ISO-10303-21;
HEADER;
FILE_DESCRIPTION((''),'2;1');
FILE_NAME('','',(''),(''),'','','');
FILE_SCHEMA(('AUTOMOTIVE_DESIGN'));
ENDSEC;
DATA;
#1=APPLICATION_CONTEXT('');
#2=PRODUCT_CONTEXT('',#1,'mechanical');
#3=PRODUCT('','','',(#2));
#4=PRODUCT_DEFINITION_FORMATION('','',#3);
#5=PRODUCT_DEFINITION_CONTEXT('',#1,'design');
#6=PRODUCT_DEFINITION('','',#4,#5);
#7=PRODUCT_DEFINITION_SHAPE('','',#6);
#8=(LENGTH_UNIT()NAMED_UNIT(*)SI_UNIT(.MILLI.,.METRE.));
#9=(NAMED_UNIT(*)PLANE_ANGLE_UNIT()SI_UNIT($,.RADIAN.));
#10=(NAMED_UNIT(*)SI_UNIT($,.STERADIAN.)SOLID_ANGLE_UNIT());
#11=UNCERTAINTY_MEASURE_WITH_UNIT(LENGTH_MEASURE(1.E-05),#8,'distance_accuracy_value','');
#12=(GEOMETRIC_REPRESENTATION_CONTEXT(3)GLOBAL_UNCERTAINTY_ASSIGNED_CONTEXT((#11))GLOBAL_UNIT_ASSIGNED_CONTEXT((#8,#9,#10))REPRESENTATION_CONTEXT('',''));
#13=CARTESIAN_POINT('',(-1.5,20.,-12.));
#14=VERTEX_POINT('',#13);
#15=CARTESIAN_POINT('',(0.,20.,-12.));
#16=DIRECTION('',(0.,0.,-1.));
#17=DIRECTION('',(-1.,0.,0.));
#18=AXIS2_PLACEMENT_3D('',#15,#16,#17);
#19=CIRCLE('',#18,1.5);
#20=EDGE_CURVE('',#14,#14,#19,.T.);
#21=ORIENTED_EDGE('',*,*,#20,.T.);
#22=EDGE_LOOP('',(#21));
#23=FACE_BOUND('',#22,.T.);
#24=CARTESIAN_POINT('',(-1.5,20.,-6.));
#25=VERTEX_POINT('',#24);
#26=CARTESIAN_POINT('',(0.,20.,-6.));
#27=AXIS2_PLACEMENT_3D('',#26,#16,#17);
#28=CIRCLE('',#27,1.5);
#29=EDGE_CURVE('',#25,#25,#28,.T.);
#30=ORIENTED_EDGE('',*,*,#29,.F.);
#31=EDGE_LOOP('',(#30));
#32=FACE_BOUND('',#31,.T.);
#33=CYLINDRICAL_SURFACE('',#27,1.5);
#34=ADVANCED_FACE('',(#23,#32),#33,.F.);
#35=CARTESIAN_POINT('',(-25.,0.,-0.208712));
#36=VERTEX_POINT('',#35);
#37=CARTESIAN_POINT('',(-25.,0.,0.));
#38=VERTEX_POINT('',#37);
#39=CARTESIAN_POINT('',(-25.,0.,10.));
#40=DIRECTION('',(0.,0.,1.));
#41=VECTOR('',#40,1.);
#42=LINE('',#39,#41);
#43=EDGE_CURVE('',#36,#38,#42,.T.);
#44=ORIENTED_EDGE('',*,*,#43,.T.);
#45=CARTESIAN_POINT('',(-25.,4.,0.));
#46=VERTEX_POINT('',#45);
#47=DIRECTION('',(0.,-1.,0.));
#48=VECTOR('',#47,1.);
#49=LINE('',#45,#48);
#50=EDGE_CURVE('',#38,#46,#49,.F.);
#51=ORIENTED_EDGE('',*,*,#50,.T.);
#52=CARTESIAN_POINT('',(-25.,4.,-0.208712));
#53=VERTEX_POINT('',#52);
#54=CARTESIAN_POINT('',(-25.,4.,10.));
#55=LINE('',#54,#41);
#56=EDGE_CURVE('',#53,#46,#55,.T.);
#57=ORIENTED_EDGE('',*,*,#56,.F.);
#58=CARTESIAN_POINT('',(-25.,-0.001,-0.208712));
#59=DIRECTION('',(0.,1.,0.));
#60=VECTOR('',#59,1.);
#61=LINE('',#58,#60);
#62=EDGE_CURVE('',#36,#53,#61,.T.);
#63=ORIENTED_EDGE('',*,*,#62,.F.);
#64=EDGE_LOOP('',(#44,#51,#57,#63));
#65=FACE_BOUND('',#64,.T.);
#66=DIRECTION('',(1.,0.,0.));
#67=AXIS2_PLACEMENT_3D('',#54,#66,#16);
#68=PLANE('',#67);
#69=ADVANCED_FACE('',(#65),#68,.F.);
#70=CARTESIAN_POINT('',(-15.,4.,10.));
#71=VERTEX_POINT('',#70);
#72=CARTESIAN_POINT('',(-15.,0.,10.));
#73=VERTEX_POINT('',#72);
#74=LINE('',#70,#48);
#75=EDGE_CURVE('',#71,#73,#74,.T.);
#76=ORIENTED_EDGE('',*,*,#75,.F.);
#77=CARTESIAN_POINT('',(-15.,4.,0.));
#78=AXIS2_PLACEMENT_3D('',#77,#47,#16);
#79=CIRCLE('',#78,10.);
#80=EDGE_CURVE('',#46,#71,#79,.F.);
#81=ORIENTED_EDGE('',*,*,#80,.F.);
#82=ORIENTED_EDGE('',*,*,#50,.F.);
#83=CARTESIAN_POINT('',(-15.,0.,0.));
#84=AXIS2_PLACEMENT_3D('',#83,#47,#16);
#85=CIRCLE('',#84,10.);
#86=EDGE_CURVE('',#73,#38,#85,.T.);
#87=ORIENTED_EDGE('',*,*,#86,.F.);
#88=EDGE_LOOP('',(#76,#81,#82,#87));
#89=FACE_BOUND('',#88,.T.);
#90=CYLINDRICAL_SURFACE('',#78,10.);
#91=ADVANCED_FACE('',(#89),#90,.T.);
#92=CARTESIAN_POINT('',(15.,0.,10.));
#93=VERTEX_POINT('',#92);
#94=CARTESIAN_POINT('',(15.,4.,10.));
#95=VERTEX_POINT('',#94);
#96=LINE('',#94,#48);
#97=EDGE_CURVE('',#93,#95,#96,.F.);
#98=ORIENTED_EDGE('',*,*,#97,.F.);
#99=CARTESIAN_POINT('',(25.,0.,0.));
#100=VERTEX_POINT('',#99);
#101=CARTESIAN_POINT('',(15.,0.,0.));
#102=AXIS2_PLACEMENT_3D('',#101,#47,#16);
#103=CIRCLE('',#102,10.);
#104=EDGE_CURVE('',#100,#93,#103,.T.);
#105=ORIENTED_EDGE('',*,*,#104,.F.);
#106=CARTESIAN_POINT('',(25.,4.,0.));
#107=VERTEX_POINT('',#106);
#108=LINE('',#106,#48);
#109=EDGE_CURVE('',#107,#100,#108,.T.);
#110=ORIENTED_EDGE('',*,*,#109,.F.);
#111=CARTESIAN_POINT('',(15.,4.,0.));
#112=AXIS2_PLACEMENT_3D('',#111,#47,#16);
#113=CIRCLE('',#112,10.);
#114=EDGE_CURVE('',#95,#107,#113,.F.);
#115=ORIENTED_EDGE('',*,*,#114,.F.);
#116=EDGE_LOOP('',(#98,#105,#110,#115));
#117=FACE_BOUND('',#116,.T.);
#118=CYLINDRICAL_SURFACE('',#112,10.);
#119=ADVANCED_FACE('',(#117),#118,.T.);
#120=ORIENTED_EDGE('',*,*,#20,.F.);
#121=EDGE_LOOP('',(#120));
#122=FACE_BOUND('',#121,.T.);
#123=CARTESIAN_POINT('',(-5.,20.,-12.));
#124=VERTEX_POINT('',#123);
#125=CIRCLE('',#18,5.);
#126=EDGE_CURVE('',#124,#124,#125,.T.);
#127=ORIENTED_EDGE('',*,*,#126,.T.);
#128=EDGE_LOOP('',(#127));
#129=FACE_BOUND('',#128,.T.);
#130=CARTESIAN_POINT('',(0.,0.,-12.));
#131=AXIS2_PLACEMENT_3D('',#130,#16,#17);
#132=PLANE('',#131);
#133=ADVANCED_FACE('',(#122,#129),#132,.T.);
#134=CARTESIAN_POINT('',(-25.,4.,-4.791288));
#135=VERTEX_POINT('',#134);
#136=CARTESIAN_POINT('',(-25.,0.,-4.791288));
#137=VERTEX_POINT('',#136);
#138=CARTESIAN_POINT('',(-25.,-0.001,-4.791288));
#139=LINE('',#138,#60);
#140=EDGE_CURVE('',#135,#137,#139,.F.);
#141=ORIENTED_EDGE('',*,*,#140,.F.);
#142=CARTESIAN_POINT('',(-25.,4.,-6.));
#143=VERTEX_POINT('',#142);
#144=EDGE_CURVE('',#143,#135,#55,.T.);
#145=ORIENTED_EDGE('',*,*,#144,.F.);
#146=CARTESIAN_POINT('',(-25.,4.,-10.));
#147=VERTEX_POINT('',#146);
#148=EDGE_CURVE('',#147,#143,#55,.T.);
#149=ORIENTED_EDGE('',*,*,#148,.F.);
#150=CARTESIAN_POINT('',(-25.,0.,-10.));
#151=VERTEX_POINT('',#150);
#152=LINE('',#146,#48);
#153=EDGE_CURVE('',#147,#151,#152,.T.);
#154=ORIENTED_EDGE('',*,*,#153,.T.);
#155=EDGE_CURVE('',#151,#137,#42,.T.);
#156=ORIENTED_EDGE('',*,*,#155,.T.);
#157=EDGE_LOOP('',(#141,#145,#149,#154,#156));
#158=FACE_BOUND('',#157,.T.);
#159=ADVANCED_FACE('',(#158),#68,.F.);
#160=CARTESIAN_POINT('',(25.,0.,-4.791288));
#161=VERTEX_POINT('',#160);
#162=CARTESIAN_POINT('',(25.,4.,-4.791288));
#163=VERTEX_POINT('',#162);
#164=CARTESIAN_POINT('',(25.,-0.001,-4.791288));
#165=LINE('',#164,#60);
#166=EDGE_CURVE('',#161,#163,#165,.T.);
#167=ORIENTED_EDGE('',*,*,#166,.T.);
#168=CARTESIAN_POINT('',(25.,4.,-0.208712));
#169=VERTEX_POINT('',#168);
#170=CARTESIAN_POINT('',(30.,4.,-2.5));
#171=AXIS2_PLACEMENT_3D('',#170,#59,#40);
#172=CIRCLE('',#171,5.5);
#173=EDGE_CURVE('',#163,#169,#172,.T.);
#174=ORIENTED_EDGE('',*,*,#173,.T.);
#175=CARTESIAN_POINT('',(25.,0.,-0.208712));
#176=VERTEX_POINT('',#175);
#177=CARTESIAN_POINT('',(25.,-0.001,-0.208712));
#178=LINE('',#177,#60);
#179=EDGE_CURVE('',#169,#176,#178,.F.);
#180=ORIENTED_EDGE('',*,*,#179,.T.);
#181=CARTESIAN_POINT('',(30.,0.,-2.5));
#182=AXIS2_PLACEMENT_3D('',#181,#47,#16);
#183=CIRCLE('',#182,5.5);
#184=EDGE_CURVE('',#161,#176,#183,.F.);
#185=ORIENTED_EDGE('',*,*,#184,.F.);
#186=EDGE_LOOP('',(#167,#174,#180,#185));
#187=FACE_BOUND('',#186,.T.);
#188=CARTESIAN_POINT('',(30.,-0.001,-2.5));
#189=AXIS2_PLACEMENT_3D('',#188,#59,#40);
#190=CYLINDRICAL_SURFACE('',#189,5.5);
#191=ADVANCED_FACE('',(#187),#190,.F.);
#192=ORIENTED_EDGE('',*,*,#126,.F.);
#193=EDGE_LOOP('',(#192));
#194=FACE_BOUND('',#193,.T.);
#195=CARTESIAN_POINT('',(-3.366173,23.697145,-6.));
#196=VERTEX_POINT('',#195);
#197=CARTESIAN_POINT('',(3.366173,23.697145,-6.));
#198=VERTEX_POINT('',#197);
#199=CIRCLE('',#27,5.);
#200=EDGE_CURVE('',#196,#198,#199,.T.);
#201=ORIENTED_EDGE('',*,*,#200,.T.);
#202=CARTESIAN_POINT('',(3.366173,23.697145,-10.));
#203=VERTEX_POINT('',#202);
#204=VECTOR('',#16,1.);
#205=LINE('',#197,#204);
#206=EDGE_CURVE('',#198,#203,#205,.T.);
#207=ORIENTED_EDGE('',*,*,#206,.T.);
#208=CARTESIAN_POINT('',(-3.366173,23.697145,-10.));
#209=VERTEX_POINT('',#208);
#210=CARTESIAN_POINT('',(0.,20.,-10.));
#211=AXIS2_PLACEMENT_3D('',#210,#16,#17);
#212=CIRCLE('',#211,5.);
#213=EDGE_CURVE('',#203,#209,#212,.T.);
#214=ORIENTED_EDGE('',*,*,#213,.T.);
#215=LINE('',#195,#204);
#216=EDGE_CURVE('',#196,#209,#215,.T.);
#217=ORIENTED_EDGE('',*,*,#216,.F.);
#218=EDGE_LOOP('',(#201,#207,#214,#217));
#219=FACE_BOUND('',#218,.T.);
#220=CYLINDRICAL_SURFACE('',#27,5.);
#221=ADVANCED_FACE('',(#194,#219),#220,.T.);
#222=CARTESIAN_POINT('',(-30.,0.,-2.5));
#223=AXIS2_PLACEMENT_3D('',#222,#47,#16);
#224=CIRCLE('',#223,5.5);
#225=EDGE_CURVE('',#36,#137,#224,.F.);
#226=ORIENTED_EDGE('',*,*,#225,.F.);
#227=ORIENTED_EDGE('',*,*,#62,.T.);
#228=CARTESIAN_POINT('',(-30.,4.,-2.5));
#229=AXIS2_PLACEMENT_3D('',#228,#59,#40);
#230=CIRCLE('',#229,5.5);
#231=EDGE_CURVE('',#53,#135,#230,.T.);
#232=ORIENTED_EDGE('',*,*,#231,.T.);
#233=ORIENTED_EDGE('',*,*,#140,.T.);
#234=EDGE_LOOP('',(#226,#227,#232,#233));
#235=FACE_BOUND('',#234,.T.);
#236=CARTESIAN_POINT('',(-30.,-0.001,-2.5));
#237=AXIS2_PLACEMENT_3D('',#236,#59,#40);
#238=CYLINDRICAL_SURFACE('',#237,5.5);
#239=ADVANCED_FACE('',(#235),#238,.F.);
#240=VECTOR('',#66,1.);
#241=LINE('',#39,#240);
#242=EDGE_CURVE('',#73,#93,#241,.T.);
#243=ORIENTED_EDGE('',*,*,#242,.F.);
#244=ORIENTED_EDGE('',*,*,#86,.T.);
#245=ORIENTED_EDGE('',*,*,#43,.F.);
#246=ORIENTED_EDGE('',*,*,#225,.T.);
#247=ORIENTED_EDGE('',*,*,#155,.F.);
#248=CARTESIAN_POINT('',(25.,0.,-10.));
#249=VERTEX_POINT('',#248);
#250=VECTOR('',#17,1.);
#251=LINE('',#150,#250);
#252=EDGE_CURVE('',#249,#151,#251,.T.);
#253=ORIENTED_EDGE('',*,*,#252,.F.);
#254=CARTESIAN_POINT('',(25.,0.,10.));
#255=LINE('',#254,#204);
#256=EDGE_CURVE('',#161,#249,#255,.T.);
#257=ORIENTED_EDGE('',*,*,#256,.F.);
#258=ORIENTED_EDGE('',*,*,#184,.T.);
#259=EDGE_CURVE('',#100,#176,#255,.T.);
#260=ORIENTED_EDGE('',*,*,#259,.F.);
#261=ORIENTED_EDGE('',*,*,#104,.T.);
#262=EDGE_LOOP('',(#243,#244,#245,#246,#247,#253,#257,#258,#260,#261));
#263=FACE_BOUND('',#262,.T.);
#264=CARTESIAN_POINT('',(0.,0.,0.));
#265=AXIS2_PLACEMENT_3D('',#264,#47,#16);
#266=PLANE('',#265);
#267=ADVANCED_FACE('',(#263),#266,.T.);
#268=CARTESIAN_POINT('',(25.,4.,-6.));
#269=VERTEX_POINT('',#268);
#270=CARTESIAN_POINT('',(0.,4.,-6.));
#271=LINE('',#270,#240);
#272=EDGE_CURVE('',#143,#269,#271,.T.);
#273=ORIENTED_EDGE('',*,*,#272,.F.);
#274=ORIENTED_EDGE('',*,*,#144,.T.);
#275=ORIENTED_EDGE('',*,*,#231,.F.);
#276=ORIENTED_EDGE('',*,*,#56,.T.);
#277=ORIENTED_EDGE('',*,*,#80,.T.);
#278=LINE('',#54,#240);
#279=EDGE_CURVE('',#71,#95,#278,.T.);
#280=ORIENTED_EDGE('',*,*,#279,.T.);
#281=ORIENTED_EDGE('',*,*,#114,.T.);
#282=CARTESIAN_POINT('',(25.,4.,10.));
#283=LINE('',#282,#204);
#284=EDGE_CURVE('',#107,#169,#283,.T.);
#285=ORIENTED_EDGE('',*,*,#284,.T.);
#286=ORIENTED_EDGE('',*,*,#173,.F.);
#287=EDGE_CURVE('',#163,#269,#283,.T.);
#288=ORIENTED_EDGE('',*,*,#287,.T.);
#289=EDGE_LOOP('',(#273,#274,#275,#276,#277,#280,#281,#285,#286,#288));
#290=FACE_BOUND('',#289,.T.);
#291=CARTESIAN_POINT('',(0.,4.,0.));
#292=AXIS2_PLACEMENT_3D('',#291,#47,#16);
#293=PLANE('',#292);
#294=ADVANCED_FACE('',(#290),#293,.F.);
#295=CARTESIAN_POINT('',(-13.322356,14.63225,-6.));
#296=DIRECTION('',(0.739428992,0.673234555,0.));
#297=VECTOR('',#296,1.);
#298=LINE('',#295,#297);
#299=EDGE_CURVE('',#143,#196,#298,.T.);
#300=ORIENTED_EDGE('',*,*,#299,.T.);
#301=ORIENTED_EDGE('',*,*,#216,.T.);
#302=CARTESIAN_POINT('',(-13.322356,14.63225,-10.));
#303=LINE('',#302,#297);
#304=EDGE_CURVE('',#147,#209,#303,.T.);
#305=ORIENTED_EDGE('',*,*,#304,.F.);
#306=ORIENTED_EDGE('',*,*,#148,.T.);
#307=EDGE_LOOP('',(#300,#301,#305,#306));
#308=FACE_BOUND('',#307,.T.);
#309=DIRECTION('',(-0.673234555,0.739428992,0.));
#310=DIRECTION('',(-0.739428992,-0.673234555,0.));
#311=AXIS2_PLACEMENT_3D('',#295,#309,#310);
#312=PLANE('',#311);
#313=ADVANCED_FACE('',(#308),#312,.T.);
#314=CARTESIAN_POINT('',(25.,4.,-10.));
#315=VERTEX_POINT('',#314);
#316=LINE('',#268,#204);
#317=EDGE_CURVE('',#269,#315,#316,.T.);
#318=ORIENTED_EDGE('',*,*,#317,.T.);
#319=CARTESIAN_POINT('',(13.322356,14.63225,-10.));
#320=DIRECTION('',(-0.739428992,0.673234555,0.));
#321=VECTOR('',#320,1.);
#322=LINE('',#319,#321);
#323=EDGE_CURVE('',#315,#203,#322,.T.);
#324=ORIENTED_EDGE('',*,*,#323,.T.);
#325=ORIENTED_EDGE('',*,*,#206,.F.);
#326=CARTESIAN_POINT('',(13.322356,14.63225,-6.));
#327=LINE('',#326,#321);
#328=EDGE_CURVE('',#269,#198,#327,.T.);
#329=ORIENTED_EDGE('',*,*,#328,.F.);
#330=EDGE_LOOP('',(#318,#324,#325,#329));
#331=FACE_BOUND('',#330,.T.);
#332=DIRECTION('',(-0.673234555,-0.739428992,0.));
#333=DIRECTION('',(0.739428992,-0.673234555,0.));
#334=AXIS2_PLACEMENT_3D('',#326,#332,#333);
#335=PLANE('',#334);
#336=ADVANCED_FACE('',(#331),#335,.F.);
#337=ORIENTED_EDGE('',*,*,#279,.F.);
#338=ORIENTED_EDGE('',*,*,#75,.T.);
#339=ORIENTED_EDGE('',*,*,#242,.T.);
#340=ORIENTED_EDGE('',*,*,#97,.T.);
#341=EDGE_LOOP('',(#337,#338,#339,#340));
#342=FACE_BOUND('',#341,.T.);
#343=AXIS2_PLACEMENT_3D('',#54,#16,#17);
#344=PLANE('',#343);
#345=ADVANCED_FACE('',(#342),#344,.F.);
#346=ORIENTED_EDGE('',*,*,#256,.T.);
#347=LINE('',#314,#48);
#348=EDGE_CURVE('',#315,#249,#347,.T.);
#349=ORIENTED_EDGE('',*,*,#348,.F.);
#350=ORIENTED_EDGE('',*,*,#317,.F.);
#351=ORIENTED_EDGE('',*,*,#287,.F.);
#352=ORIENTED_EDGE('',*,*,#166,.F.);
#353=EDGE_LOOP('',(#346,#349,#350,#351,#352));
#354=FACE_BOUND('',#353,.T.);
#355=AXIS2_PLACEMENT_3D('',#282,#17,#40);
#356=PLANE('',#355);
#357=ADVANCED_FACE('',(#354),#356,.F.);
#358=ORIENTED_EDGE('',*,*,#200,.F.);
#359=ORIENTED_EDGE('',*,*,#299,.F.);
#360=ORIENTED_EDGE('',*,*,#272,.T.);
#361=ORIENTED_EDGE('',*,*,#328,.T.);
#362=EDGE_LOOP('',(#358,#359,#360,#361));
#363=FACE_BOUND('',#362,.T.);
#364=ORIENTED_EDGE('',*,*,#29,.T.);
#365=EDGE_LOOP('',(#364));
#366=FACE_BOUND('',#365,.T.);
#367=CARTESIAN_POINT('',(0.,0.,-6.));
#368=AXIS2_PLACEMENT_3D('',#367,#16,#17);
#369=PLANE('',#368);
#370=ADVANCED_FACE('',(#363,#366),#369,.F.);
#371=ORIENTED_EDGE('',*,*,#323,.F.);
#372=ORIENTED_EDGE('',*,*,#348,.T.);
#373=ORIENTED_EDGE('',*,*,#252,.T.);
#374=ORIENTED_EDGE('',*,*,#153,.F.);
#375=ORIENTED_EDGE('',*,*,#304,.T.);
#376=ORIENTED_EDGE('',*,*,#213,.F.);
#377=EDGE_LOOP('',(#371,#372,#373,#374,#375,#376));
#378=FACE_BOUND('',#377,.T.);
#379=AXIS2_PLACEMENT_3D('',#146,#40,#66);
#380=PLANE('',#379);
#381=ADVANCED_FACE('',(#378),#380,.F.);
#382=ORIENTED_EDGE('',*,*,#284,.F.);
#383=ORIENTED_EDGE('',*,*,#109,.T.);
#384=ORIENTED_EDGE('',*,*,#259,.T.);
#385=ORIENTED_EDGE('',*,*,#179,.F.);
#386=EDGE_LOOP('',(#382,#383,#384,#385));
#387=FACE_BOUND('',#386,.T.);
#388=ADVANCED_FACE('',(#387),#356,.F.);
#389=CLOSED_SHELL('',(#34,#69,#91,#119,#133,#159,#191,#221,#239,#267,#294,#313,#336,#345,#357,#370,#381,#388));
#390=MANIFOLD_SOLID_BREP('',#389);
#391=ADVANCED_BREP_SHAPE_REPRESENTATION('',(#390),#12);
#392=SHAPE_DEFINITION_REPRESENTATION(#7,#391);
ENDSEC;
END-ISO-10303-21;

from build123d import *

# Parameters (mm, degrees)
CROQUIS1_W              = 50
CROQUIS1_H              = 20
SALIENTE_EXTRUIR1_DEPTH = 4
CROQUIS2_R              = 1.5
SALIENTE_EXTRUIR4_DEPTH = 4
SALIENTE_EXTRUIR5_START = 2
CROQUIS2_3_R            = 1.5
SALIENTE_EXTRUIR5_DEPTH = 2
CORTAR_EXTRUIR1_REACH   = 36.785
CROQUIS5_R              = 5.5
REDONDEO1_R             = 10


with BuildPart() as part:
    # Croquis1 → Saliente-Extruir1 (new body)
    with BuildSketch(Plane(origin=(0, 0, 0), x_dir=(1, 0, 0), z_dir=(0, 1, 0))):
        Rectangle(CROQUIS1_W, CROQUIS1_H)
    extrude(amount=SALIENTE_EXTRUIR1_DEPTH)

    # Croquis2 → Saliente-Extruir4 (add)
    with BuildSketch(Plane(origin=(0, 0, -10), x_dir=(-1, 0, 0), z_dir=(0, 0, -1))):
        with BuildLine():
            Line((-3.366172774, 23.69714496), (-25, 4))
            Line((-25, 4), (25, 4))
            Line((25, 4), (3.366172774, 23.69714496))
            ThreePointArc((3.366172774, 23.69714496), (0, 25), (-3.366172774, 23.69714496))
        make_face()
        with Locations((0, 20)):
            Circle(CROQUIS2_R, mode=Mode.SUBTRACT)
    extrude(amount=-SALIENTE_EXTRUIR4_DEPTH)

    # Croquis2<3> → Saliente-Extruir5 (add)
    with BuildSketch(Plane(origin=(0, 0, -10), x_dir=(-1, 0, 0), z_dir=(0, 0, -1)).offset(SALIENTE_EXTRUIR5_START)):
        with BuildLine():
            ThreePointArc((3.366172774, 23.69714496), (0, 25), (-3.366172774, 23.69714496))
            ThreePointArc((-3.366172774, 23.69714496), (-2.021031436, 15.426660746), (5, 20))
            ThreePointArc((5, 20), (4.573339254, 22.021031436), (3.366172774, 23.69714496))
        make_face()
        with Locations((0, 20)):
            Circle(CROQUIS2_3_R, mode=Mode.SUBTRACT)
    extrude(amount=-SALIENTE_EXTRUIR5_DEPTH)

    # Croquis5 → Cortar-Extruir1 (cut, up to next)
    with BuildSketch(Plane(origin=(0, 4, 0), x_dir=(1, 0, 0), z_dir=(0, 1, 0)), mode=Mode.PRIVATE) as cortar_extruir1_sk1:
        with Locations((-30, 2.5)):
            Circle(CROQUIS5_R)
    cortar_extruir1_tool1 = extrude(cortar_extruir1_sk1.sketch, amount=-CORTAR_EXTRUIR1_REACH, mode=Mode.PRIVATE) & part.part
    # Croquis5 → Cortar-Extruir1 (cut, up to next)
    with BuildSketch(Plane(origin=(0, 4, 0), x_dir=(1, 0, 0), z_dir=(0, 1, 0)), mode=Mode.PRIVATE) as cortar_extruir1_sk2:
        with Locations((30, 2.5)):
            Circle(CROQUIS5_R)
    cortar_extruir1_tool2 = extrude(cortar_extruir1_sk2.sketch, amount=-CORTAR_EXTRUIR1_REACH, mode=Mode.PRIVATE) & part.part
    add(cortar_extruir1_tool1.solids().sort_by_distance((-30, 4, -2.5))[0], mode=Mode.SUBTRACT)
    add(cortar_extruir1_tool2.solids().sort_by_distance((30, 4, -2.5))[0], mode=Mode.SUBTRACT)

    # Redondeo1
    redondeo1_edges = [part.edges().sort_by_distance(p)[0] for p in [
        (25, 2, 10),
        (-25, 2, 10),
    ]]
    fillet(redondeo1_edges, radius=REDONDEO1_R)


solid = part.part
